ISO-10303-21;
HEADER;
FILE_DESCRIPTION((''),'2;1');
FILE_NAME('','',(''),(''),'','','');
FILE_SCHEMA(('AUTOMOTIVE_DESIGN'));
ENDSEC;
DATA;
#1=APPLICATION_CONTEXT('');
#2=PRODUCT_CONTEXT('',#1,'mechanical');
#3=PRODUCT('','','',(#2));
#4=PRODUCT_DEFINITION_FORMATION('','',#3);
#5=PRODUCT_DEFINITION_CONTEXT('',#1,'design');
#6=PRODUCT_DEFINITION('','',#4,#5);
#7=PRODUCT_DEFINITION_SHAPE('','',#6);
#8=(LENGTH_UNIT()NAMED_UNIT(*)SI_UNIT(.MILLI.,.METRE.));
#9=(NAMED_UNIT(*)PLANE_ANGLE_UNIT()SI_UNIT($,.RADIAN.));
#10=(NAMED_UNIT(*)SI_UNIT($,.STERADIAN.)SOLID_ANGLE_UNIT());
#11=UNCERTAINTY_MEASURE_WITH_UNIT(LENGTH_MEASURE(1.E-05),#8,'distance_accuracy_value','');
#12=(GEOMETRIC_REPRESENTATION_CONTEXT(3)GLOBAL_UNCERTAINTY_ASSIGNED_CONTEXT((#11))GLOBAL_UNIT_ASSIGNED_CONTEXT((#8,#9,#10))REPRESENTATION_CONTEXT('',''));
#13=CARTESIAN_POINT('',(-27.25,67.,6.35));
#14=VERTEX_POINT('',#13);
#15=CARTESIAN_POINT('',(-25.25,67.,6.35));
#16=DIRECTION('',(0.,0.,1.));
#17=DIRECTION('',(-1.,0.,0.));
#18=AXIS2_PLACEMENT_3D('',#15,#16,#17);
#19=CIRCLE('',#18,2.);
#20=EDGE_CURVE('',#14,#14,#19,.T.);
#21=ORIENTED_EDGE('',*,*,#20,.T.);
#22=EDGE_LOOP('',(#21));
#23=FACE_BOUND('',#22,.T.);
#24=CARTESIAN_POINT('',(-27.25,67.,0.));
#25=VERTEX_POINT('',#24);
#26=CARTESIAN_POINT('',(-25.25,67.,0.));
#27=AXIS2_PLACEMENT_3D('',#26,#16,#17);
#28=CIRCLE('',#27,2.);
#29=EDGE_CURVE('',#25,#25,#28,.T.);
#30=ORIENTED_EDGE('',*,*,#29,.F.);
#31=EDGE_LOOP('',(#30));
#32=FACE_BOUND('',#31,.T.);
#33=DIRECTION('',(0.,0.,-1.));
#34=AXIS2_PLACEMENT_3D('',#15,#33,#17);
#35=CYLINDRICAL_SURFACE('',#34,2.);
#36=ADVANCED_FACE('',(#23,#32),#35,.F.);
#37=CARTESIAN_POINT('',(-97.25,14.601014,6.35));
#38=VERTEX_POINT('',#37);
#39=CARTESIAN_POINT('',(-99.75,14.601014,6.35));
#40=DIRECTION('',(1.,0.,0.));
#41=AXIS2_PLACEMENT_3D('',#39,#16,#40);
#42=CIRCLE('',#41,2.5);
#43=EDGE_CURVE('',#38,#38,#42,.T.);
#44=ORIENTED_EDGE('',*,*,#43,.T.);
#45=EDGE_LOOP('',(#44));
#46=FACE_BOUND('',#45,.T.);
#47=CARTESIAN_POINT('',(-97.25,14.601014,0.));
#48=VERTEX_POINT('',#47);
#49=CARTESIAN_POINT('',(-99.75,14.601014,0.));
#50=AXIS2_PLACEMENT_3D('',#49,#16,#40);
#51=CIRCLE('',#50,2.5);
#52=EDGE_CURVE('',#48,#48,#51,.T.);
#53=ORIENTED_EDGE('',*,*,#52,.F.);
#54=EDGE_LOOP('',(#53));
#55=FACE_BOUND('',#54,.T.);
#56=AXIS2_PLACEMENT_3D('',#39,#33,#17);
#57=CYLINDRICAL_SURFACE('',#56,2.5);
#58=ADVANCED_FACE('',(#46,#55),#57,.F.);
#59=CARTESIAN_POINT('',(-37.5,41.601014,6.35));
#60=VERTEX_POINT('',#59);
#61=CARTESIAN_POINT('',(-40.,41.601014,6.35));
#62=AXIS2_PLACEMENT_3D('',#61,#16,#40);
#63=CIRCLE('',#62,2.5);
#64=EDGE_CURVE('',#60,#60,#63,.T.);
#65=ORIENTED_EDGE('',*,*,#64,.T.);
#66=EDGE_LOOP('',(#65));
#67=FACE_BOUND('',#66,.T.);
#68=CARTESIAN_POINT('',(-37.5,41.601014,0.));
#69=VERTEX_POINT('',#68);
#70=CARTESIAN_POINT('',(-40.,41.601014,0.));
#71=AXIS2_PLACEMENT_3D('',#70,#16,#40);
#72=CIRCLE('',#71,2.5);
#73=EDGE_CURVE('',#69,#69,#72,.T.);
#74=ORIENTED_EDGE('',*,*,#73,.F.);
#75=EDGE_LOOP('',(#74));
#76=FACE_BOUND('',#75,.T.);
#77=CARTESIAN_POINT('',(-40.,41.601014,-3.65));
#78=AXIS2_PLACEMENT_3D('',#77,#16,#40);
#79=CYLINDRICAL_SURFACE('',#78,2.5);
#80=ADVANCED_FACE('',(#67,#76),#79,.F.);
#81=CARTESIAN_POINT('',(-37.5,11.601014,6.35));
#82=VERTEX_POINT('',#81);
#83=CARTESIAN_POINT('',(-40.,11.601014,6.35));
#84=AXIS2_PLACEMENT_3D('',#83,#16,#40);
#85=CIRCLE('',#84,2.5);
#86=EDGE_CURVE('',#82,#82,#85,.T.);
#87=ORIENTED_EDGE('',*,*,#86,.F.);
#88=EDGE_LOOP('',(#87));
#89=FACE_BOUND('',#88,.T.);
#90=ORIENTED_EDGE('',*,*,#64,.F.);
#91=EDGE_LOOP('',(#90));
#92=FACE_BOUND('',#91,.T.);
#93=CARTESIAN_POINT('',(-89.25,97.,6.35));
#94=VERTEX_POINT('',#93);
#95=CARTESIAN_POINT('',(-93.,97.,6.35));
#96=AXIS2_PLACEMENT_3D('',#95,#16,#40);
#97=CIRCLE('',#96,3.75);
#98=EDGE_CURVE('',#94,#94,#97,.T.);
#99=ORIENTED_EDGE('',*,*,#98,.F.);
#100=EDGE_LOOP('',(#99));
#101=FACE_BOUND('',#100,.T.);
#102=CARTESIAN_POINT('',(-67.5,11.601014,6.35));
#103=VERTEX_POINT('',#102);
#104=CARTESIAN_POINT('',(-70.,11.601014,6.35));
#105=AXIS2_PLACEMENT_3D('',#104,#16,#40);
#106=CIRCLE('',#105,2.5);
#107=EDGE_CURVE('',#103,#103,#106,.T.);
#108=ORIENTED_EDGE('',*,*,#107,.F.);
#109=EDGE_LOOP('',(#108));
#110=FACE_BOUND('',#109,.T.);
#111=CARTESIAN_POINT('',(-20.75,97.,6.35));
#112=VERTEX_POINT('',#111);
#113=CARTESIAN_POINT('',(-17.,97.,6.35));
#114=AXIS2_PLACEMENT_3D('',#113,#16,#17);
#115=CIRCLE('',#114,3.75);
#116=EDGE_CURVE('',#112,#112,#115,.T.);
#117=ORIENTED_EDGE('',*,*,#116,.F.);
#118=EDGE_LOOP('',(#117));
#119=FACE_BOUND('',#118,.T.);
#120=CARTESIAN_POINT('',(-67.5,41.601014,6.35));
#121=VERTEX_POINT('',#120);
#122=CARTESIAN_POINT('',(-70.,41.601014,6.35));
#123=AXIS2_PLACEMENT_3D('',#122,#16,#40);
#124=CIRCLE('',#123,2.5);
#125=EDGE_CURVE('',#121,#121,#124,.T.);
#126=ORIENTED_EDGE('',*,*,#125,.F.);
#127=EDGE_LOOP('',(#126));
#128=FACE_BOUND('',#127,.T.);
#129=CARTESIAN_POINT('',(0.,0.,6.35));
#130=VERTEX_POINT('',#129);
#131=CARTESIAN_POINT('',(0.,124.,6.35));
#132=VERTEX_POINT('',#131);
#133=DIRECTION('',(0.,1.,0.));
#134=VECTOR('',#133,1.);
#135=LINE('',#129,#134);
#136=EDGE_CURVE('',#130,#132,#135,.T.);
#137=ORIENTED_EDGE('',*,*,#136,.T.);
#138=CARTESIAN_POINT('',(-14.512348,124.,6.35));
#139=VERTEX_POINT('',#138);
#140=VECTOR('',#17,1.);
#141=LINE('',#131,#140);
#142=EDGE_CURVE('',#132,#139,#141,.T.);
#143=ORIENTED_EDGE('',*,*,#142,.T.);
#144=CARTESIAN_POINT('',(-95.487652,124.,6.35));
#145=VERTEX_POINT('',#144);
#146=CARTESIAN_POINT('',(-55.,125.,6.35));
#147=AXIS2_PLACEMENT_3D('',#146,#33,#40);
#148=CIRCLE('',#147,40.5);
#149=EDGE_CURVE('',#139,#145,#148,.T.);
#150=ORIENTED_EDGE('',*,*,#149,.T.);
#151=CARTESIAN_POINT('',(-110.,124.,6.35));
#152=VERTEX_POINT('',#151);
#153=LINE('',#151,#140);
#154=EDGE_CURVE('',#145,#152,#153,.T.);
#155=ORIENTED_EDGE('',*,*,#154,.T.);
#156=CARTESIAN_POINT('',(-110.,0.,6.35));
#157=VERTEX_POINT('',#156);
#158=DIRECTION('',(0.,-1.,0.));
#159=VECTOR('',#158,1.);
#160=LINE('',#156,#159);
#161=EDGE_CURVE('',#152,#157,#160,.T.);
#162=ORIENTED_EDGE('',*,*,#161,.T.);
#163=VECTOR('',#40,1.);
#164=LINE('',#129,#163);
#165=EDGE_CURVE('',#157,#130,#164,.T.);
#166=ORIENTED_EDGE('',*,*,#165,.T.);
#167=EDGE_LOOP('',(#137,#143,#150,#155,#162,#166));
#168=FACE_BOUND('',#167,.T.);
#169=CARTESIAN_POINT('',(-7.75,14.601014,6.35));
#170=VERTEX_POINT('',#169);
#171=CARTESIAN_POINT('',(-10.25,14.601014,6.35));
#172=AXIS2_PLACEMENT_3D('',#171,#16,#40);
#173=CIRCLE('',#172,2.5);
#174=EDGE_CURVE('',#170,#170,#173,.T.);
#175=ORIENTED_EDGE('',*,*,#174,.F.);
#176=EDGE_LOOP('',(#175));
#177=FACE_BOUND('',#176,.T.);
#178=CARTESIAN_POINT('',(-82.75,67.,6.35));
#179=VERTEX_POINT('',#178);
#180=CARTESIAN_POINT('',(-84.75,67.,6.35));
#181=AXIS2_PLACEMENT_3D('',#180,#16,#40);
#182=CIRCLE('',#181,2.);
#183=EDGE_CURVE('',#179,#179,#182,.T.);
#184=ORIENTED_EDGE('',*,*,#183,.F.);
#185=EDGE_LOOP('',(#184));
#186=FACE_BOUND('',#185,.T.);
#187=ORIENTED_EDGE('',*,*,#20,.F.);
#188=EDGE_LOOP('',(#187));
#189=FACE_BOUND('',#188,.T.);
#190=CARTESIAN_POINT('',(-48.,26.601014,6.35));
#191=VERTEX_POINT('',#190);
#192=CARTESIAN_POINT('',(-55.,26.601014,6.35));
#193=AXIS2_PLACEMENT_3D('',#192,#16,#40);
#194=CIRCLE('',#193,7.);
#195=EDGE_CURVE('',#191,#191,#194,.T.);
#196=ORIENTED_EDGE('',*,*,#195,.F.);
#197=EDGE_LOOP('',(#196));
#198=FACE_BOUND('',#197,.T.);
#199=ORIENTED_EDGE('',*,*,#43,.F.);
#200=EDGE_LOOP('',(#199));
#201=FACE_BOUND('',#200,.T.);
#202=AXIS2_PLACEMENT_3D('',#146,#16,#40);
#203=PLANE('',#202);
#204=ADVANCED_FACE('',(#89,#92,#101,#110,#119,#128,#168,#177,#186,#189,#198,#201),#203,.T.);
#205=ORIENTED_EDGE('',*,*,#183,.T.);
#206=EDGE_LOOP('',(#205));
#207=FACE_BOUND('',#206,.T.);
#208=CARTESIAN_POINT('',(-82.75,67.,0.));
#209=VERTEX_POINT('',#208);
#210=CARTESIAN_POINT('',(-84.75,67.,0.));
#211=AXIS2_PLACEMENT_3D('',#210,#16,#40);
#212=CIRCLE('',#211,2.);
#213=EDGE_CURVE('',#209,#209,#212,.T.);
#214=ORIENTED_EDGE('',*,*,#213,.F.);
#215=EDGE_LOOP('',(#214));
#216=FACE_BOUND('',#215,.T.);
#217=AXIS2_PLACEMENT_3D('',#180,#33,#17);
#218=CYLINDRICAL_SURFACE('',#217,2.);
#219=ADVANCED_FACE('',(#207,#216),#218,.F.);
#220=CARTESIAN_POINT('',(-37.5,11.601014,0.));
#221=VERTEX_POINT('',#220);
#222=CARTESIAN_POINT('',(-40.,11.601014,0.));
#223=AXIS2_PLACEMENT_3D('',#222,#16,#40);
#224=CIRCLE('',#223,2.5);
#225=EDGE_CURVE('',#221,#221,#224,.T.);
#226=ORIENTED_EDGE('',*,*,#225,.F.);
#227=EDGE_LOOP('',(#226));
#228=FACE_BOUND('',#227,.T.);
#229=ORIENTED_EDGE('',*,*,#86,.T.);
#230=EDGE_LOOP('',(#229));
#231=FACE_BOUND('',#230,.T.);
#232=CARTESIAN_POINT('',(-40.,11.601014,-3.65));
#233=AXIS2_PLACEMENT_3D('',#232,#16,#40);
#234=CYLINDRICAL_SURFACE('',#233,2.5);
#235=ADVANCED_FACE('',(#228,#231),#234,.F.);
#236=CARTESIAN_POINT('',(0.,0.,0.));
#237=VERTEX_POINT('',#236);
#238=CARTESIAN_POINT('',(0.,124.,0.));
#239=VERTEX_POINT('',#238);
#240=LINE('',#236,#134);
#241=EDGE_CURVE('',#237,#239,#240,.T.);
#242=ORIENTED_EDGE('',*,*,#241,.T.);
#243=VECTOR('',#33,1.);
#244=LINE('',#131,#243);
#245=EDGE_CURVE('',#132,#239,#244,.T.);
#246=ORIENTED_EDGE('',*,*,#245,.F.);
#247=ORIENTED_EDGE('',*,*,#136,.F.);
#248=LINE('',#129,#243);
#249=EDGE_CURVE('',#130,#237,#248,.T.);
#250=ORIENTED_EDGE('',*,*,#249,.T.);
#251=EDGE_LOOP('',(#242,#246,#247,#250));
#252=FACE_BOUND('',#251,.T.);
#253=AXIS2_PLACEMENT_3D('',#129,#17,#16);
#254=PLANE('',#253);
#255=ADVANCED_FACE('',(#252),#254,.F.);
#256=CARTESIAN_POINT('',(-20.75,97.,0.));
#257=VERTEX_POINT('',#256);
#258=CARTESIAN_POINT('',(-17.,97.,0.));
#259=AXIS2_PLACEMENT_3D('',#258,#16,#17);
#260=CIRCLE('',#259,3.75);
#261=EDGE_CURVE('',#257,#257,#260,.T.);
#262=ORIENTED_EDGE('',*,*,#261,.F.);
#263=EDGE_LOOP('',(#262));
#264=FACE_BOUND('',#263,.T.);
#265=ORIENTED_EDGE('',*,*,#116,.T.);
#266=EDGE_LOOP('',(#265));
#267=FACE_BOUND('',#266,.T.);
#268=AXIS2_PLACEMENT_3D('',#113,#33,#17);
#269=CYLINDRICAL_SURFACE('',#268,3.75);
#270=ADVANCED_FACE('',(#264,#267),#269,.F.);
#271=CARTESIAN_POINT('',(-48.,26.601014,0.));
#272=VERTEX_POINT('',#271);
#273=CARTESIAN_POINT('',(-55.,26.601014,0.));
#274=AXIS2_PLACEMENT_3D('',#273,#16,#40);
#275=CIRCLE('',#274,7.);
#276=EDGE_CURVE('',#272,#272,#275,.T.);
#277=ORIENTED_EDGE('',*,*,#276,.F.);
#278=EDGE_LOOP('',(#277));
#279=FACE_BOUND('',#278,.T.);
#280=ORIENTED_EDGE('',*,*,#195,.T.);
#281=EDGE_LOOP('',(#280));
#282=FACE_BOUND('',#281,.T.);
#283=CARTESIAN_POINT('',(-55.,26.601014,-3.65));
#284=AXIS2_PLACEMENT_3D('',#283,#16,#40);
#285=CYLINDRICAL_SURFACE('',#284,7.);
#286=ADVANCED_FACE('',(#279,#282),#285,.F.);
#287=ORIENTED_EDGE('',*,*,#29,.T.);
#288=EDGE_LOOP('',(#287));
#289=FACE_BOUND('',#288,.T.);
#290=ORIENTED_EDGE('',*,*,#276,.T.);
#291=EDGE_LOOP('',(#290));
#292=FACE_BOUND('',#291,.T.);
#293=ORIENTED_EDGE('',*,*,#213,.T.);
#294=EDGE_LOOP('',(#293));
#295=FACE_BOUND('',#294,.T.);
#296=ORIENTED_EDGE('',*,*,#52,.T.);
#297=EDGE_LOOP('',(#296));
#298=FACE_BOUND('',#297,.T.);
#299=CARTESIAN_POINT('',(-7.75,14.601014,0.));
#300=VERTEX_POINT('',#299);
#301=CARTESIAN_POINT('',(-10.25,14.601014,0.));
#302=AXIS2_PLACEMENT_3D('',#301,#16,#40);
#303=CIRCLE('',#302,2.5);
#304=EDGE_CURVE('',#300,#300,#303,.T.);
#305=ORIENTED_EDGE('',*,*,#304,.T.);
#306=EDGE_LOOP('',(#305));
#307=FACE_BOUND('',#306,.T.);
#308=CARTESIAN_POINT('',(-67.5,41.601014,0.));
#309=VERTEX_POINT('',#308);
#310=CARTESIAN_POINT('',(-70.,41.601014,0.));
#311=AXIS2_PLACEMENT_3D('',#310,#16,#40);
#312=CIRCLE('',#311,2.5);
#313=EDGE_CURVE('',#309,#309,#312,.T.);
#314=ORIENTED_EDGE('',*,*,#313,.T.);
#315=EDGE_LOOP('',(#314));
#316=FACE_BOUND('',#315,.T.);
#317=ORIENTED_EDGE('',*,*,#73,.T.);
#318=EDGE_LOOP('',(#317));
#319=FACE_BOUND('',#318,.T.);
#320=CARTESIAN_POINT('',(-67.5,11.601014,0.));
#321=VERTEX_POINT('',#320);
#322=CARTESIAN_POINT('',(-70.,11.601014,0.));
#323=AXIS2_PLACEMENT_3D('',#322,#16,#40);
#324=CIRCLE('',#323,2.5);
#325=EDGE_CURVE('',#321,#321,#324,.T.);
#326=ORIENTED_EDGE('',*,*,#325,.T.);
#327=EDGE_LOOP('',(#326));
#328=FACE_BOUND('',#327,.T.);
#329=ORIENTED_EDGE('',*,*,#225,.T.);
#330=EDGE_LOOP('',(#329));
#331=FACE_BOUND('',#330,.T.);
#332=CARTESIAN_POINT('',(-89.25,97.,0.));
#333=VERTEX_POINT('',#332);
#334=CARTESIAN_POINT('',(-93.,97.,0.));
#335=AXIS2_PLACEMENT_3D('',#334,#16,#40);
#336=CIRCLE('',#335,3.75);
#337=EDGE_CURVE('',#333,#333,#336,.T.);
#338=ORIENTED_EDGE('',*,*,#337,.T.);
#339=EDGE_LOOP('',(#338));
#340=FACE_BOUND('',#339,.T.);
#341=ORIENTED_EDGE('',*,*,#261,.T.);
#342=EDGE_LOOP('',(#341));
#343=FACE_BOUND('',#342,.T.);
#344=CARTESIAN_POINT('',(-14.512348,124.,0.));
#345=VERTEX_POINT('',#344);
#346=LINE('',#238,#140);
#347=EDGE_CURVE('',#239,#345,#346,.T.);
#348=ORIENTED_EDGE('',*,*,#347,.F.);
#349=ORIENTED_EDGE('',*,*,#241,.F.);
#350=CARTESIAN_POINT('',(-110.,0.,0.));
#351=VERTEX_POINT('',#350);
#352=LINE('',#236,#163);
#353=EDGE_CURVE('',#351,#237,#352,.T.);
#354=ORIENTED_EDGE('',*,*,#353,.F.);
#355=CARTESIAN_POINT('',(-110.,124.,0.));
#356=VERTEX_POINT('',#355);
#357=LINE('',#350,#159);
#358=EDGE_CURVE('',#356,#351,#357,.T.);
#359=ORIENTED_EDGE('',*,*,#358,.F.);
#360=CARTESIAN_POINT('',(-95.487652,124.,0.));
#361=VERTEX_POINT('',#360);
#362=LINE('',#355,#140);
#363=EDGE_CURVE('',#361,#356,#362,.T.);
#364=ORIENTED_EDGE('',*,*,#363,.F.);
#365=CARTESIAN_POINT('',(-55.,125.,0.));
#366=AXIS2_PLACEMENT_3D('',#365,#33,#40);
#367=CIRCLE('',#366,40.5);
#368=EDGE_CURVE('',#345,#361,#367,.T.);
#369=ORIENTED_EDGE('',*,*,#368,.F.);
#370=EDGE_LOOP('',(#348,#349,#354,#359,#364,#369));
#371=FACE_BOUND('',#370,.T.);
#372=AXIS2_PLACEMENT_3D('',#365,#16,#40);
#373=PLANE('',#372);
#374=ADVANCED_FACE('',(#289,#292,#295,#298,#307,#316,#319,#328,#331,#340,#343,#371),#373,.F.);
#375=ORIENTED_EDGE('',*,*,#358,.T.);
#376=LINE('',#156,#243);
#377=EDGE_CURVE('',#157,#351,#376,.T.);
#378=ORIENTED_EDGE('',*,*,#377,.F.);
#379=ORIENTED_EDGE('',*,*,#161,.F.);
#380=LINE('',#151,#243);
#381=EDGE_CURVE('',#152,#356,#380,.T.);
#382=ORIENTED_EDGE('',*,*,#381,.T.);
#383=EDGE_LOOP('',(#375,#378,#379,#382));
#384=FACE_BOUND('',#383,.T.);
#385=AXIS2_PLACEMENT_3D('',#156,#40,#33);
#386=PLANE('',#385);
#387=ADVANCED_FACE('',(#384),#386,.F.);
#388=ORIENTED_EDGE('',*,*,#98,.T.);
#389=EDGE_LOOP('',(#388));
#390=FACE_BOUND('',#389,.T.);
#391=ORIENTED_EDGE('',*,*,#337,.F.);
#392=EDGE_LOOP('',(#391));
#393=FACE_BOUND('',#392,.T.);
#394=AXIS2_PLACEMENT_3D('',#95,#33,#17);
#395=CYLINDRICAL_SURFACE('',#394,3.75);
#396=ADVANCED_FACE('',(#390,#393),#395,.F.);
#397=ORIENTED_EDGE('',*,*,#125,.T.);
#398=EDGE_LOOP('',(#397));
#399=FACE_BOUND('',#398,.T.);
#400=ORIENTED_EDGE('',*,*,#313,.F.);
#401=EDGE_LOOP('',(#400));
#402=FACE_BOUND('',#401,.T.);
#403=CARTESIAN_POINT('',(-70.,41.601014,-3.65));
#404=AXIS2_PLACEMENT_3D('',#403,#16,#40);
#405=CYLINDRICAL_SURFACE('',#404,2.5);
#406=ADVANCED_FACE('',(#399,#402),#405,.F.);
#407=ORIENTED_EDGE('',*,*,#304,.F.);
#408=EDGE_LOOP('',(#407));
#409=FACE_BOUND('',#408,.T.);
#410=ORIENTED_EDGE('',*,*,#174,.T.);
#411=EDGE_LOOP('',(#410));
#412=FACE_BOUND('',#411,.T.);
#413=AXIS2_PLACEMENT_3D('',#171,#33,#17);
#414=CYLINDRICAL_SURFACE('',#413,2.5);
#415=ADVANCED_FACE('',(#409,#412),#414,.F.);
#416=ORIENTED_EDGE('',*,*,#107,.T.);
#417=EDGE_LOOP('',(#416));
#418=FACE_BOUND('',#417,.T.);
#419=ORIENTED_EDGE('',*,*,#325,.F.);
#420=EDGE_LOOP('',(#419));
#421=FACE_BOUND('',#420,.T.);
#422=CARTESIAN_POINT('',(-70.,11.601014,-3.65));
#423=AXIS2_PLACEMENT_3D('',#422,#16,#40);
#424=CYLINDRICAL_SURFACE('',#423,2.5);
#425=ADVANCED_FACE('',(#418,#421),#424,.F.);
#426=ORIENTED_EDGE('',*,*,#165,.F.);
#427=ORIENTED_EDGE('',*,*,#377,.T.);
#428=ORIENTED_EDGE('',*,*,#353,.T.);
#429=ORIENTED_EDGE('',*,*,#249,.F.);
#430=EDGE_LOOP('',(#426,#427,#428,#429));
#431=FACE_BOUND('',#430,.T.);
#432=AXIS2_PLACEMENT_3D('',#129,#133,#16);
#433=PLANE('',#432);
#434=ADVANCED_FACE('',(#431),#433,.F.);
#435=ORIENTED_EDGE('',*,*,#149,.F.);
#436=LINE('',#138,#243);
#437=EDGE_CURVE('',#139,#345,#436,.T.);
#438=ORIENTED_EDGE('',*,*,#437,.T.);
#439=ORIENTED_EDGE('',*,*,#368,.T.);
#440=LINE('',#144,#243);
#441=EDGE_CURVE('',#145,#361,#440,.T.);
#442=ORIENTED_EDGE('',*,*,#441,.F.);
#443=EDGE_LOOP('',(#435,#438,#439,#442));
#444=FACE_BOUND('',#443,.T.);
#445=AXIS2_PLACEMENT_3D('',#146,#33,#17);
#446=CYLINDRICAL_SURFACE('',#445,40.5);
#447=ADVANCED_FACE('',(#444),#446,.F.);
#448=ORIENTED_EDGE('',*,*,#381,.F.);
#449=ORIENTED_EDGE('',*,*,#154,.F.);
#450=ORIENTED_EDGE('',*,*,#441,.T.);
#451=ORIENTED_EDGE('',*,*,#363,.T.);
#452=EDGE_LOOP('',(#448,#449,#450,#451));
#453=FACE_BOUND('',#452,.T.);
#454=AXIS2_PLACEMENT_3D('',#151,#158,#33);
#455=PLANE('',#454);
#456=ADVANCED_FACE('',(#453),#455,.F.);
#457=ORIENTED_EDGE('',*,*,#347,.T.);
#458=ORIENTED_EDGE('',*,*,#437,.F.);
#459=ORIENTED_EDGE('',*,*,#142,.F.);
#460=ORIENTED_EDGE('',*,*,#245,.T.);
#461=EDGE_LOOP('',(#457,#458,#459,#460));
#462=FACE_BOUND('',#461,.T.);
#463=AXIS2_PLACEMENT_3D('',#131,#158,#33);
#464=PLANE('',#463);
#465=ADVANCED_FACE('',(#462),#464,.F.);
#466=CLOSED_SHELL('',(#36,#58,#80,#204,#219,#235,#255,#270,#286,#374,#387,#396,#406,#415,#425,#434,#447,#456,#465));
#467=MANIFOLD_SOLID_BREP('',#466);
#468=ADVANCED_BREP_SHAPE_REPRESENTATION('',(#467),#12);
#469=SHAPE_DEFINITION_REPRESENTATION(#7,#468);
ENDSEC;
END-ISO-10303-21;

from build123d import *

# Parameters (mm, degrees)
CROQUIS1_R              = 3.75
CROQUIS1_R_2            = 2
CROQUIS1_R_3            = 2.5
SALIENTE_EXTRUIR1_DEPTH = 6.35
CROQUIS2_R              = 7
CROQUIS2_R_2            = 2.5
CORTAR_EXTRUIR1_DEPTH   = 10


with BuildPart() as part:
    # Croquis1 → Saliente-Extruir1 (new body)
    with BuildSketch(Plane.XY):
        with BuildLine():
            Line((0, 0), (-110, 0))
            Line((-110, 0), (-110, 124))
            Line((-110, 124), (-95.487652439, 124))
            ThreePointArc((-95.487652439, 124), (-55, 84.5), (-14.512347561, 124))
            Line((-14.512347561, 124), (0, 124))
            Line((0, 124), (0, 0))
        make_face()
        with Locations((-93, 97)):
            Circle(CROQUIS1_R, mode=Mode.SUBTRACT)
        with Locations((-84.75, 67)):
            Circle(CROQUIS1_R_2, mode=Mode.SUBTRACT)
        with Locations((-25.25, 67)):
            Circle(CROQUIS1_R_2, mode=Mode.SUBTRACT)
        with Locations((-17, 97)):
            Circle(CROQUIS1_R, mode=Mode.SUBTRACT)
        with Locations((-99.75, 14.601014199)):
            Circle(CROQUIS1_R_3, mode=Mode.SUBTRACT)
        with Locations((-10.25, 14.601014199)):
            Circle(CROQUIS1_R_3, mode=Mode.SUBTRACT)
    extrude(amount=SALIENTE_EXTRUIR1_DEPTH)

    # Croquis2 → Cortar-Extruir1 (cut)
    with BuildSketch(Plane.XY.offset(6.35)):
        with Locations((-55, 26.601014199)):
            Circle(CROQUIS2_R)
        with Locations((-40, 11.601014199)):
            Circle(CROQUIS2_R_2)
        with Locations((-70, 11.601014199)):
            Circle(CROQUIS2_R_2)
        with Locations((-70, 41.601014199)):
            Circle(CROQUIS2_R_2)
        with Locations((-40, 41.601014199)):
            Circle(CROQUIS2_R_2)
    extrude(amount=-CORTAR_EXTRUIR1_DEPTH, mode=Mode.SUBTRACT)


solid = part.part
